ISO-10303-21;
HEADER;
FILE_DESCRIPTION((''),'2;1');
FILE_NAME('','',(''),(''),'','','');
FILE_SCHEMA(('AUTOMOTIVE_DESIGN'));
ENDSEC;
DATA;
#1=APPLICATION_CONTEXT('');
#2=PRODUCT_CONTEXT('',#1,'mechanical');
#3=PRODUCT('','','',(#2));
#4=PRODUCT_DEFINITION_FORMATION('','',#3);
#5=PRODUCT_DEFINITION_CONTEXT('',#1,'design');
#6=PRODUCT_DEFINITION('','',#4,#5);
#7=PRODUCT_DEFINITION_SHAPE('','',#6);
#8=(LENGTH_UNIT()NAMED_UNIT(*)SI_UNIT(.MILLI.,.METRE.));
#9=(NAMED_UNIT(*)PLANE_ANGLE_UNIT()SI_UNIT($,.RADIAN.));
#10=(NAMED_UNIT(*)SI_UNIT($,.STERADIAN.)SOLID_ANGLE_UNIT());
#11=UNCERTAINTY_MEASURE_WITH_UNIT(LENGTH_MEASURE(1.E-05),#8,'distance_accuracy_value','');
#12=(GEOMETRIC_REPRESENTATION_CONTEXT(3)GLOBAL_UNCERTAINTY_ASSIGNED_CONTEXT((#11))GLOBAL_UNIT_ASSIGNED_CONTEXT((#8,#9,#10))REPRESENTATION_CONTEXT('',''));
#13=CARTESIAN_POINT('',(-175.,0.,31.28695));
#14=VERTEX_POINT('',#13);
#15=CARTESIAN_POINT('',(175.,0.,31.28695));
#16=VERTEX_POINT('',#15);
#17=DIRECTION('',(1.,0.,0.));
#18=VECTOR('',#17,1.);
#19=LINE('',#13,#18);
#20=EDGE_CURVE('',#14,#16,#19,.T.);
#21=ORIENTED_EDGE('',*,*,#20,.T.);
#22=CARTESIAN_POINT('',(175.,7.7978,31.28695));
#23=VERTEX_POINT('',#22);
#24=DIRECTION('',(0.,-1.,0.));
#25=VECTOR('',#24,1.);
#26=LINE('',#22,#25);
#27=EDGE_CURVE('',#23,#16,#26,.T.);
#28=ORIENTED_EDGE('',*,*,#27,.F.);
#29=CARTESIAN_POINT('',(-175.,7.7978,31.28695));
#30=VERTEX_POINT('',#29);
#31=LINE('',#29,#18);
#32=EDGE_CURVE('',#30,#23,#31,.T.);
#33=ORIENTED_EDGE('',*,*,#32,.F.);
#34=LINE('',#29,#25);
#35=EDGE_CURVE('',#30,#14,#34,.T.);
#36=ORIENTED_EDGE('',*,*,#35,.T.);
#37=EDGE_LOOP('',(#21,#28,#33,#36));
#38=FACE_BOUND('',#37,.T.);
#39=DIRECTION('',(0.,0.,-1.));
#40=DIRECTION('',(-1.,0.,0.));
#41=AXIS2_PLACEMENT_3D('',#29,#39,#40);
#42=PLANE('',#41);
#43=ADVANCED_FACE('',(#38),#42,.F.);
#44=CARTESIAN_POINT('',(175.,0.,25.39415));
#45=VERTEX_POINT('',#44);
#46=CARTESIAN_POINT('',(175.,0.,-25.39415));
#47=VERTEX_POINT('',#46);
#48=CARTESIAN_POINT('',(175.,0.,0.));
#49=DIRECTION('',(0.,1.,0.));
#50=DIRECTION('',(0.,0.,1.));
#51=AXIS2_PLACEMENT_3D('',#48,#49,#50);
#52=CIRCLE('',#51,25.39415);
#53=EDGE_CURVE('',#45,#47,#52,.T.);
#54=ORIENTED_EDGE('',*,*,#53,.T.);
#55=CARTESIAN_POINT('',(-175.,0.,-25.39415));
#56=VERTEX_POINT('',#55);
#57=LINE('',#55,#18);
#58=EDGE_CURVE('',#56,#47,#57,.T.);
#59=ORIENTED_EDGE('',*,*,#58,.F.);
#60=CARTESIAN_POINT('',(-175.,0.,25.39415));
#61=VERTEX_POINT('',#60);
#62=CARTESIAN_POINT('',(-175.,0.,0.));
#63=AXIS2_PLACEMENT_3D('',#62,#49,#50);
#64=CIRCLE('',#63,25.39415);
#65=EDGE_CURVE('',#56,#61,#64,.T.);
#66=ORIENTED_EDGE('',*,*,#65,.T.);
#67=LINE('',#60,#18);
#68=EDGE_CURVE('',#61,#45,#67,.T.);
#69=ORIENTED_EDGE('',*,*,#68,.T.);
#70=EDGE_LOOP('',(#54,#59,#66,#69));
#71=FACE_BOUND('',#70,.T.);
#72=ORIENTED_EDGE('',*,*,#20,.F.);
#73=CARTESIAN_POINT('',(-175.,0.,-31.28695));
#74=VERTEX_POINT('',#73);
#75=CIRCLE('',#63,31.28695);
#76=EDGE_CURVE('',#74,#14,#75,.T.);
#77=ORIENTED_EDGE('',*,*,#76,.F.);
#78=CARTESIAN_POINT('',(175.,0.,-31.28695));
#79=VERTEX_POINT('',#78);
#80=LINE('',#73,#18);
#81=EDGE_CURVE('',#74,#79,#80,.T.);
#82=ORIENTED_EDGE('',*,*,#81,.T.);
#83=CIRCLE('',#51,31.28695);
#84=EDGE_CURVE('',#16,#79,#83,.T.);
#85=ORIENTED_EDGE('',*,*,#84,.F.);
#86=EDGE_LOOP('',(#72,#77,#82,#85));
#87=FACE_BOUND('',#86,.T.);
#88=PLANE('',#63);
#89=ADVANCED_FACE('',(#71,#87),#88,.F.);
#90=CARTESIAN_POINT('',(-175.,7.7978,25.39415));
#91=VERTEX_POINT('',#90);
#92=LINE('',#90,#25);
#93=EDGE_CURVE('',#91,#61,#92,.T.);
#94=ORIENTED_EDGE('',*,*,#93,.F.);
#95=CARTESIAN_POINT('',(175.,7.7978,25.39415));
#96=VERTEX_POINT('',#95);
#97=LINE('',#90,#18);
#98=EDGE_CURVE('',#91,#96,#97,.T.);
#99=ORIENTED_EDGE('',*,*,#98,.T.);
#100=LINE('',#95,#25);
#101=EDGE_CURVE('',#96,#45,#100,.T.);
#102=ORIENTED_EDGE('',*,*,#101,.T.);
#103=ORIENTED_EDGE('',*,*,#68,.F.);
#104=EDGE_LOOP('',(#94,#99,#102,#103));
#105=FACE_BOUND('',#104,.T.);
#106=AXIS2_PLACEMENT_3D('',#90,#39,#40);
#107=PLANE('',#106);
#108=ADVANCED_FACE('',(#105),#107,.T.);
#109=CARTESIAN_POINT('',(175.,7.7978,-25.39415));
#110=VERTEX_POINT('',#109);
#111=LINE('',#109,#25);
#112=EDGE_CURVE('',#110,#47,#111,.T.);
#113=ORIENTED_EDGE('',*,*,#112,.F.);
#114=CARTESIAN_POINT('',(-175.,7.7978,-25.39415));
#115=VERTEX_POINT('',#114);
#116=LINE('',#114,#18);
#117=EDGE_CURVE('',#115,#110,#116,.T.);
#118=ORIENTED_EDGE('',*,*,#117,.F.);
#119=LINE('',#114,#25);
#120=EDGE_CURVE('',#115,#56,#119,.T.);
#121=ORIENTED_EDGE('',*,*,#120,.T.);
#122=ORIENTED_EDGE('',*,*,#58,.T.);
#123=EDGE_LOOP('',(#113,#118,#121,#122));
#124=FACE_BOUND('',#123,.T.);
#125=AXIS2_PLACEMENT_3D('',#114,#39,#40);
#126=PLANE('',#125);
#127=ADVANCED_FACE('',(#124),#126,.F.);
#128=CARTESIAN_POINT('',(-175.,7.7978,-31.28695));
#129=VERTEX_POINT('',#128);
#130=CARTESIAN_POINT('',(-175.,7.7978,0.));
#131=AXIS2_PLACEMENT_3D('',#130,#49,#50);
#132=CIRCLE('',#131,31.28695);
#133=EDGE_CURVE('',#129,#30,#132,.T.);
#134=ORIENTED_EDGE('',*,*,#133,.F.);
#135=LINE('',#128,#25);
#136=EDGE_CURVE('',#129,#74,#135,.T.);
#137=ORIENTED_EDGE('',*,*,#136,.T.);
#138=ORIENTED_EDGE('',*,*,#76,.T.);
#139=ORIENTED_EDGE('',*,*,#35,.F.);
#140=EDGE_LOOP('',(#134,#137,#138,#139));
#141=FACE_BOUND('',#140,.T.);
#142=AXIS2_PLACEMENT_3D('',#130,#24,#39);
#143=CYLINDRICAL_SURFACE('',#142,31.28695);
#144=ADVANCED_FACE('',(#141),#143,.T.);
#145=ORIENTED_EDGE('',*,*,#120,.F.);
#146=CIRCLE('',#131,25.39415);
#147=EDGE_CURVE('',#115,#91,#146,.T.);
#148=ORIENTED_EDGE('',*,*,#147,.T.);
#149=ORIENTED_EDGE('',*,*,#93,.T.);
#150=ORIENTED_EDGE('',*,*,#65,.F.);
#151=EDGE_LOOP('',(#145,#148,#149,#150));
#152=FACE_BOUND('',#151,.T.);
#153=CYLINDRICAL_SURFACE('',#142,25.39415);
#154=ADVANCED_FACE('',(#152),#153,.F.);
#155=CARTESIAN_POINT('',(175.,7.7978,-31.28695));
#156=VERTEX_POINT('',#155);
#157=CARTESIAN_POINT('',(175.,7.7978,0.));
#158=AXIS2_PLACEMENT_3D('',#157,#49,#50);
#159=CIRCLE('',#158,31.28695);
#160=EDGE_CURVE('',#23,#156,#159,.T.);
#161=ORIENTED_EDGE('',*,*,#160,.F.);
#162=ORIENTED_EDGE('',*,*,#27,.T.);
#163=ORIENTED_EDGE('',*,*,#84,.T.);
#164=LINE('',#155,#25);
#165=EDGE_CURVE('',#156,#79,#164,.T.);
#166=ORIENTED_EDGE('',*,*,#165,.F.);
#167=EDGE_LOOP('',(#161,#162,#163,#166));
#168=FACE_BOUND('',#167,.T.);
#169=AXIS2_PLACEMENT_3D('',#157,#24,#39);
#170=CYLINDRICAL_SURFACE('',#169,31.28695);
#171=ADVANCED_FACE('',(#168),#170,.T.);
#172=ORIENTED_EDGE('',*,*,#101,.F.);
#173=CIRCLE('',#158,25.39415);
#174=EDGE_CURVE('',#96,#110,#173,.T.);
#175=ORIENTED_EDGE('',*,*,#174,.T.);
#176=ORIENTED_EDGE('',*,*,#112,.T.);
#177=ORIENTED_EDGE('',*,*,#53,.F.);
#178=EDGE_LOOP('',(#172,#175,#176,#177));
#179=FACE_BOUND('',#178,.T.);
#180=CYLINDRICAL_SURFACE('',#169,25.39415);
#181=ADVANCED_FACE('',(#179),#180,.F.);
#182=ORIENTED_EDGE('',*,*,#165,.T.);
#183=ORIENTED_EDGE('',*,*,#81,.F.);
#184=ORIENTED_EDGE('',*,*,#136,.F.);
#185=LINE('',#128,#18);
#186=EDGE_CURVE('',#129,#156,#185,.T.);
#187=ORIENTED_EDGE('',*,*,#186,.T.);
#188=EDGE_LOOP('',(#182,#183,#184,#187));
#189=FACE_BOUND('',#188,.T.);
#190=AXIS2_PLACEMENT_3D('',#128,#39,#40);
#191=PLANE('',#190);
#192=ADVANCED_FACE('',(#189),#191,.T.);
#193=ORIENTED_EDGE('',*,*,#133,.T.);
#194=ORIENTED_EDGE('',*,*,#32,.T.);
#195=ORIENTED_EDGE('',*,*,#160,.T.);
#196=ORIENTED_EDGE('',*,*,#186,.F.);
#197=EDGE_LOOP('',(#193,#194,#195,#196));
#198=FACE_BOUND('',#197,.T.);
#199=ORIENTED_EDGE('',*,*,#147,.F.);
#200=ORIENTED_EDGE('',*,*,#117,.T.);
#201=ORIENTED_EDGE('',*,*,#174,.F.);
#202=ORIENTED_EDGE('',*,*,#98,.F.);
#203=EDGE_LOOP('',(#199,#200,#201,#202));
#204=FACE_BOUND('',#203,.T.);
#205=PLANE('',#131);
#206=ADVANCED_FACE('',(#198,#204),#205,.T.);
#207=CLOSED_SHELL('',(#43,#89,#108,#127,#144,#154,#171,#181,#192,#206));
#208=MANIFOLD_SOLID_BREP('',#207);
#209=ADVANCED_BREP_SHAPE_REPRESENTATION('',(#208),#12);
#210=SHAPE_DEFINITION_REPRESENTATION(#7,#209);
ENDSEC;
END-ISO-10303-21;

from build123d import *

# Parameters (mm, degrees)
BOSS_EXTRUDE1_DEPTH = 7.7978


with BuildPart() as part:
    # Sketch1 → Boss-Extrude1 (new body)
    with BuildSketch(Plane(origin=(0, 0, 0), x_dir=(1, 0, 0), z_dir=(0, 1, 0))):
        with BuildLine():
            Line((-175, 31.28695), (175, 31.28695))
            ThreePointArc((175, 31.28695), (206.28695, 0), (175, -31.28695))
            Line((175, -31.28695), (-175, -31.28695))
            ThreePointArc((-175, -31.28695), (-206.28695, 0), (-175, 31.28695))
        make_face()
        with BuildLine():
            Line((-175, 25.39415), (175, 25.39415))
            ThreePointArc((175, 25.39415), (200.39415, 0), (175, -25.39415))
            Line((175, -25.39415), (-175, -25.39415))
            ThreePointArc((-175, -25.39415), (-200.39415, 0), (-175, 25.39415))
        make_face(mode=Mode.SUBTRACT)
    extrude(amount=BOSS_EXTRUDE1_DEPTH)


solid = part.part
